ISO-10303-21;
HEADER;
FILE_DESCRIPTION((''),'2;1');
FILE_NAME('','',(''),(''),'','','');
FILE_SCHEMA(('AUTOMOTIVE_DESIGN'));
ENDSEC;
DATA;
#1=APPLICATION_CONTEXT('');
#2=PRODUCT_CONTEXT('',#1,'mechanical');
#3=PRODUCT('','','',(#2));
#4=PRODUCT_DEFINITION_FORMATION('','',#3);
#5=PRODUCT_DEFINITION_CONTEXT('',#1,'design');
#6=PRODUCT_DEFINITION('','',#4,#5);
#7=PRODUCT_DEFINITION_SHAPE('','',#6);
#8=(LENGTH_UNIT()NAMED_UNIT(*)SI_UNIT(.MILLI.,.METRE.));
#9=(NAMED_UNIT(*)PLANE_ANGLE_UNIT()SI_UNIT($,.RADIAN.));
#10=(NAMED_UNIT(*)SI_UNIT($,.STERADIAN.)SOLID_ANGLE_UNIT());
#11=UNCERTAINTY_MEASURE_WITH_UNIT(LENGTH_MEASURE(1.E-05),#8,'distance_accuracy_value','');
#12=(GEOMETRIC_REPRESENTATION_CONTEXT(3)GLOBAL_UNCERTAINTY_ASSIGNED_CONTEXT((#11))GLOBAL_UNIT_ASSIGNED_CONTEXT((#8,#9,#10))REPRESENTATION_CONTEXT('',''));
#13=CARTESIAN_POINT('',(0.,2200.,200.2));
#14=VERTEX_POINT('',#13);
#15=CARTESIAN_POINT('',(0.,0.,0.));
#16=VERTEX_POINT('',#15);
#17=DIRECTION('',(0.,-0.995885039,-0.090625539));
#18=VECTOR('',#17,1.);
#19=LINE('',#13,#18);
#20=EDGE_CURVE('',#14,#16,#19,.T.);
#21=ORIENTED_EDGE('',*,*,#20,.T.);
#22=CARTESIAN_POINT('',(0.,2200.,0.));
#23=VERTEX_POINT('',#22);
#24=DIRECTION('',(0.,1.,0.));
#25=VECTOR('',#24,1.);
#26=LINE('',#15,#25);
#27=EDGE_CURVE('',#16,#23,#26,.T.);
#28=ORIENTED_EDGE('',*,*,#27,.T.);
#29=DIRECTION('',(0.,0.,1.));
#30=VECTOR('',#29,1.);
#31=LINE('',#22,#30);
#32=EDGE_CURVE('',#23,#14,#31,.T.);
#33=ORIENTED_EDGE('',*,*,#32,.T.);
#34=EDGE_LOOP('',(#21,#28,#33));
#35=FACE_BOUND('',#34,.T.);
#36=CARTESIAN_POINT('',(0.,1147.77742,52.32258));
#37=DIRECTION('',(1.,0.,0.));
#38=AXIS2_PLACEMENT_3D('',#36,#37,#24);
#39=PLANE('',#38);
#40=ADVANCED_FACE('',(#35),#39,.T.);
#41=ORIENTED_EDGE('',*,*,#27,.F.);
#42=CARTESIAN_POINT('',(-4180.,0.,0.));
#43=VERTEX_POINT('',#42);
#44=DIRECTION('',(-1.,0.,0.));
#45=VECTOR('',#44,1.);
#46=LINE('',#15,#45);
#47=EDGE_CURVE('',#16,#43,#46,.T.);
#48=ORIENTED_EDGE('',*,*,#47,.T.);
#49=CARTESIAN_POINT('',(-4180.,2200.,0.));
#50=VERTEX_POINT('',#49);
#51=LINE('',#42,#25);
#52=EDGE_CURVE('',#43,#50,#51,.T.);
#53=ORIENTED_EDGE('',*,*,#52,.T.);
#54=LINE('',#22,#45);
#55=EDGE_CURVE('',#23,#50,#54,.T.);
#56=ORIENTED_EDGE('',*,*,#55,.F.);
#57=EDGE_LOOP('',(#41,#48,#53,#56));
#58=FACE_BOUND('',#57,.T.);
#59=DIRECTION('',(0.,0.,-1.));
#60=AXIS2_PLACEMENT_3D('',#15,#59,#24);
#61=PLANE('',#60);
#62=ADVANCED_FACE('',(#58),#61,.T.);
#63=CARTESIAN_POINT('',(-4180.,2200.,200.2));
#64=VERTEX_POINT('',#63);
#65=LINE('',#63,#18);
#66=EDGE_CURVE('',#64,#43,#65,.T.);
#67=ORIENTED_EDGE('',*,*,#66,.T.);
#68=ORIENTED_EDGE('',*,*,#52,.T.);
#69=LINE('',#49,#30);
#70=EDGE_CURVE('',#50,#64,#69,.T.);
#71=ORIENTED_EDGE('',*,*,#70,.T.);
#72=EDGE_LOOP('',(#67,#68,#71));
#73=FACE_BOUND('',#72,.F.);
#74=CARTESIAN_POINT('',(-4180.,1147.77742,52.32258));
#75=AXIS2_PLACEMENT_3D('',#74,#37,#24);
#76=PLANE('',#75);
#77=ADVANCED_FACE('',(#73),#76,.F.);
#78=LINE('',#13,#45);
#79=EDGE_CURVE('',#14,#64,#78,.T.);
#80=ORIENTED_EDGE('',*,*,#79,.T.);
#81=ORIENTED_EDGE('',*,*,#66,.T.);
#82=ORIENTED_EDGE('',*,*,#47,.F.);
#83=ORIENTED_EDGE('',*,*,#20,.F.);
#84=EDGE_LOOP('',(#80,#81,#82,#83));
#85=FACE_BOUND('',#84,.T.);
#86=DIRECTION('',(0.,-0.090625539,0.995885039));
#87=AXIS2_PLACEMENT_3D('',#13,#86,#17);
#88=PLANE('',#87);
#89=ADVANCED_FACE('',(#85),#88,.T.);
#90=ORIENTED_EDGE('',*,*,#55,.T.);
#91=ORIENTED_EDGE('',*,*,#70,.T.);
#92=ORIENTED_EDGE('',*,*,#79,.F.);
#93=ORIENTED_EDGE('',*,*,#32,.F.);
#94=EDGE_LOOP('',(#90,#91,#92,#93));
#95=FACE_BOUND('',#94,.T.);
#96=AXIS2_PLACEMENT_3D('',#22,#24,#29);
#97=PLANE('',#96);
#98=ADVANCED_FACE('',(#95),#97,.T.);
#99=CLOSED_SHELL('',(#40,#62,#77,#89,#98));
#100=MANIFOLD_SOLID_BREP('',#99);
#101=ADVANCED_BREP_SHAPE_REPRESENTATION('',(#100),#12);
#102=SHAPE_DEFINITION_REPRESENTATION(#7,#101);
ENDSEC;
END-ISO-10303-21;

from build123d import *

# Parameters (mm, degrees)
F1_DEPTH = 4180


with BuildPart() as f1:
    # F0 (on Right) → F1 (new body)
    with BuildSketch(Plane.YZ):
        Polygon((2200, 200.2), (0, 0), (2200, 0), align=None)
    extrude(amount=-F1_DEPTH)


solid = f1.part
